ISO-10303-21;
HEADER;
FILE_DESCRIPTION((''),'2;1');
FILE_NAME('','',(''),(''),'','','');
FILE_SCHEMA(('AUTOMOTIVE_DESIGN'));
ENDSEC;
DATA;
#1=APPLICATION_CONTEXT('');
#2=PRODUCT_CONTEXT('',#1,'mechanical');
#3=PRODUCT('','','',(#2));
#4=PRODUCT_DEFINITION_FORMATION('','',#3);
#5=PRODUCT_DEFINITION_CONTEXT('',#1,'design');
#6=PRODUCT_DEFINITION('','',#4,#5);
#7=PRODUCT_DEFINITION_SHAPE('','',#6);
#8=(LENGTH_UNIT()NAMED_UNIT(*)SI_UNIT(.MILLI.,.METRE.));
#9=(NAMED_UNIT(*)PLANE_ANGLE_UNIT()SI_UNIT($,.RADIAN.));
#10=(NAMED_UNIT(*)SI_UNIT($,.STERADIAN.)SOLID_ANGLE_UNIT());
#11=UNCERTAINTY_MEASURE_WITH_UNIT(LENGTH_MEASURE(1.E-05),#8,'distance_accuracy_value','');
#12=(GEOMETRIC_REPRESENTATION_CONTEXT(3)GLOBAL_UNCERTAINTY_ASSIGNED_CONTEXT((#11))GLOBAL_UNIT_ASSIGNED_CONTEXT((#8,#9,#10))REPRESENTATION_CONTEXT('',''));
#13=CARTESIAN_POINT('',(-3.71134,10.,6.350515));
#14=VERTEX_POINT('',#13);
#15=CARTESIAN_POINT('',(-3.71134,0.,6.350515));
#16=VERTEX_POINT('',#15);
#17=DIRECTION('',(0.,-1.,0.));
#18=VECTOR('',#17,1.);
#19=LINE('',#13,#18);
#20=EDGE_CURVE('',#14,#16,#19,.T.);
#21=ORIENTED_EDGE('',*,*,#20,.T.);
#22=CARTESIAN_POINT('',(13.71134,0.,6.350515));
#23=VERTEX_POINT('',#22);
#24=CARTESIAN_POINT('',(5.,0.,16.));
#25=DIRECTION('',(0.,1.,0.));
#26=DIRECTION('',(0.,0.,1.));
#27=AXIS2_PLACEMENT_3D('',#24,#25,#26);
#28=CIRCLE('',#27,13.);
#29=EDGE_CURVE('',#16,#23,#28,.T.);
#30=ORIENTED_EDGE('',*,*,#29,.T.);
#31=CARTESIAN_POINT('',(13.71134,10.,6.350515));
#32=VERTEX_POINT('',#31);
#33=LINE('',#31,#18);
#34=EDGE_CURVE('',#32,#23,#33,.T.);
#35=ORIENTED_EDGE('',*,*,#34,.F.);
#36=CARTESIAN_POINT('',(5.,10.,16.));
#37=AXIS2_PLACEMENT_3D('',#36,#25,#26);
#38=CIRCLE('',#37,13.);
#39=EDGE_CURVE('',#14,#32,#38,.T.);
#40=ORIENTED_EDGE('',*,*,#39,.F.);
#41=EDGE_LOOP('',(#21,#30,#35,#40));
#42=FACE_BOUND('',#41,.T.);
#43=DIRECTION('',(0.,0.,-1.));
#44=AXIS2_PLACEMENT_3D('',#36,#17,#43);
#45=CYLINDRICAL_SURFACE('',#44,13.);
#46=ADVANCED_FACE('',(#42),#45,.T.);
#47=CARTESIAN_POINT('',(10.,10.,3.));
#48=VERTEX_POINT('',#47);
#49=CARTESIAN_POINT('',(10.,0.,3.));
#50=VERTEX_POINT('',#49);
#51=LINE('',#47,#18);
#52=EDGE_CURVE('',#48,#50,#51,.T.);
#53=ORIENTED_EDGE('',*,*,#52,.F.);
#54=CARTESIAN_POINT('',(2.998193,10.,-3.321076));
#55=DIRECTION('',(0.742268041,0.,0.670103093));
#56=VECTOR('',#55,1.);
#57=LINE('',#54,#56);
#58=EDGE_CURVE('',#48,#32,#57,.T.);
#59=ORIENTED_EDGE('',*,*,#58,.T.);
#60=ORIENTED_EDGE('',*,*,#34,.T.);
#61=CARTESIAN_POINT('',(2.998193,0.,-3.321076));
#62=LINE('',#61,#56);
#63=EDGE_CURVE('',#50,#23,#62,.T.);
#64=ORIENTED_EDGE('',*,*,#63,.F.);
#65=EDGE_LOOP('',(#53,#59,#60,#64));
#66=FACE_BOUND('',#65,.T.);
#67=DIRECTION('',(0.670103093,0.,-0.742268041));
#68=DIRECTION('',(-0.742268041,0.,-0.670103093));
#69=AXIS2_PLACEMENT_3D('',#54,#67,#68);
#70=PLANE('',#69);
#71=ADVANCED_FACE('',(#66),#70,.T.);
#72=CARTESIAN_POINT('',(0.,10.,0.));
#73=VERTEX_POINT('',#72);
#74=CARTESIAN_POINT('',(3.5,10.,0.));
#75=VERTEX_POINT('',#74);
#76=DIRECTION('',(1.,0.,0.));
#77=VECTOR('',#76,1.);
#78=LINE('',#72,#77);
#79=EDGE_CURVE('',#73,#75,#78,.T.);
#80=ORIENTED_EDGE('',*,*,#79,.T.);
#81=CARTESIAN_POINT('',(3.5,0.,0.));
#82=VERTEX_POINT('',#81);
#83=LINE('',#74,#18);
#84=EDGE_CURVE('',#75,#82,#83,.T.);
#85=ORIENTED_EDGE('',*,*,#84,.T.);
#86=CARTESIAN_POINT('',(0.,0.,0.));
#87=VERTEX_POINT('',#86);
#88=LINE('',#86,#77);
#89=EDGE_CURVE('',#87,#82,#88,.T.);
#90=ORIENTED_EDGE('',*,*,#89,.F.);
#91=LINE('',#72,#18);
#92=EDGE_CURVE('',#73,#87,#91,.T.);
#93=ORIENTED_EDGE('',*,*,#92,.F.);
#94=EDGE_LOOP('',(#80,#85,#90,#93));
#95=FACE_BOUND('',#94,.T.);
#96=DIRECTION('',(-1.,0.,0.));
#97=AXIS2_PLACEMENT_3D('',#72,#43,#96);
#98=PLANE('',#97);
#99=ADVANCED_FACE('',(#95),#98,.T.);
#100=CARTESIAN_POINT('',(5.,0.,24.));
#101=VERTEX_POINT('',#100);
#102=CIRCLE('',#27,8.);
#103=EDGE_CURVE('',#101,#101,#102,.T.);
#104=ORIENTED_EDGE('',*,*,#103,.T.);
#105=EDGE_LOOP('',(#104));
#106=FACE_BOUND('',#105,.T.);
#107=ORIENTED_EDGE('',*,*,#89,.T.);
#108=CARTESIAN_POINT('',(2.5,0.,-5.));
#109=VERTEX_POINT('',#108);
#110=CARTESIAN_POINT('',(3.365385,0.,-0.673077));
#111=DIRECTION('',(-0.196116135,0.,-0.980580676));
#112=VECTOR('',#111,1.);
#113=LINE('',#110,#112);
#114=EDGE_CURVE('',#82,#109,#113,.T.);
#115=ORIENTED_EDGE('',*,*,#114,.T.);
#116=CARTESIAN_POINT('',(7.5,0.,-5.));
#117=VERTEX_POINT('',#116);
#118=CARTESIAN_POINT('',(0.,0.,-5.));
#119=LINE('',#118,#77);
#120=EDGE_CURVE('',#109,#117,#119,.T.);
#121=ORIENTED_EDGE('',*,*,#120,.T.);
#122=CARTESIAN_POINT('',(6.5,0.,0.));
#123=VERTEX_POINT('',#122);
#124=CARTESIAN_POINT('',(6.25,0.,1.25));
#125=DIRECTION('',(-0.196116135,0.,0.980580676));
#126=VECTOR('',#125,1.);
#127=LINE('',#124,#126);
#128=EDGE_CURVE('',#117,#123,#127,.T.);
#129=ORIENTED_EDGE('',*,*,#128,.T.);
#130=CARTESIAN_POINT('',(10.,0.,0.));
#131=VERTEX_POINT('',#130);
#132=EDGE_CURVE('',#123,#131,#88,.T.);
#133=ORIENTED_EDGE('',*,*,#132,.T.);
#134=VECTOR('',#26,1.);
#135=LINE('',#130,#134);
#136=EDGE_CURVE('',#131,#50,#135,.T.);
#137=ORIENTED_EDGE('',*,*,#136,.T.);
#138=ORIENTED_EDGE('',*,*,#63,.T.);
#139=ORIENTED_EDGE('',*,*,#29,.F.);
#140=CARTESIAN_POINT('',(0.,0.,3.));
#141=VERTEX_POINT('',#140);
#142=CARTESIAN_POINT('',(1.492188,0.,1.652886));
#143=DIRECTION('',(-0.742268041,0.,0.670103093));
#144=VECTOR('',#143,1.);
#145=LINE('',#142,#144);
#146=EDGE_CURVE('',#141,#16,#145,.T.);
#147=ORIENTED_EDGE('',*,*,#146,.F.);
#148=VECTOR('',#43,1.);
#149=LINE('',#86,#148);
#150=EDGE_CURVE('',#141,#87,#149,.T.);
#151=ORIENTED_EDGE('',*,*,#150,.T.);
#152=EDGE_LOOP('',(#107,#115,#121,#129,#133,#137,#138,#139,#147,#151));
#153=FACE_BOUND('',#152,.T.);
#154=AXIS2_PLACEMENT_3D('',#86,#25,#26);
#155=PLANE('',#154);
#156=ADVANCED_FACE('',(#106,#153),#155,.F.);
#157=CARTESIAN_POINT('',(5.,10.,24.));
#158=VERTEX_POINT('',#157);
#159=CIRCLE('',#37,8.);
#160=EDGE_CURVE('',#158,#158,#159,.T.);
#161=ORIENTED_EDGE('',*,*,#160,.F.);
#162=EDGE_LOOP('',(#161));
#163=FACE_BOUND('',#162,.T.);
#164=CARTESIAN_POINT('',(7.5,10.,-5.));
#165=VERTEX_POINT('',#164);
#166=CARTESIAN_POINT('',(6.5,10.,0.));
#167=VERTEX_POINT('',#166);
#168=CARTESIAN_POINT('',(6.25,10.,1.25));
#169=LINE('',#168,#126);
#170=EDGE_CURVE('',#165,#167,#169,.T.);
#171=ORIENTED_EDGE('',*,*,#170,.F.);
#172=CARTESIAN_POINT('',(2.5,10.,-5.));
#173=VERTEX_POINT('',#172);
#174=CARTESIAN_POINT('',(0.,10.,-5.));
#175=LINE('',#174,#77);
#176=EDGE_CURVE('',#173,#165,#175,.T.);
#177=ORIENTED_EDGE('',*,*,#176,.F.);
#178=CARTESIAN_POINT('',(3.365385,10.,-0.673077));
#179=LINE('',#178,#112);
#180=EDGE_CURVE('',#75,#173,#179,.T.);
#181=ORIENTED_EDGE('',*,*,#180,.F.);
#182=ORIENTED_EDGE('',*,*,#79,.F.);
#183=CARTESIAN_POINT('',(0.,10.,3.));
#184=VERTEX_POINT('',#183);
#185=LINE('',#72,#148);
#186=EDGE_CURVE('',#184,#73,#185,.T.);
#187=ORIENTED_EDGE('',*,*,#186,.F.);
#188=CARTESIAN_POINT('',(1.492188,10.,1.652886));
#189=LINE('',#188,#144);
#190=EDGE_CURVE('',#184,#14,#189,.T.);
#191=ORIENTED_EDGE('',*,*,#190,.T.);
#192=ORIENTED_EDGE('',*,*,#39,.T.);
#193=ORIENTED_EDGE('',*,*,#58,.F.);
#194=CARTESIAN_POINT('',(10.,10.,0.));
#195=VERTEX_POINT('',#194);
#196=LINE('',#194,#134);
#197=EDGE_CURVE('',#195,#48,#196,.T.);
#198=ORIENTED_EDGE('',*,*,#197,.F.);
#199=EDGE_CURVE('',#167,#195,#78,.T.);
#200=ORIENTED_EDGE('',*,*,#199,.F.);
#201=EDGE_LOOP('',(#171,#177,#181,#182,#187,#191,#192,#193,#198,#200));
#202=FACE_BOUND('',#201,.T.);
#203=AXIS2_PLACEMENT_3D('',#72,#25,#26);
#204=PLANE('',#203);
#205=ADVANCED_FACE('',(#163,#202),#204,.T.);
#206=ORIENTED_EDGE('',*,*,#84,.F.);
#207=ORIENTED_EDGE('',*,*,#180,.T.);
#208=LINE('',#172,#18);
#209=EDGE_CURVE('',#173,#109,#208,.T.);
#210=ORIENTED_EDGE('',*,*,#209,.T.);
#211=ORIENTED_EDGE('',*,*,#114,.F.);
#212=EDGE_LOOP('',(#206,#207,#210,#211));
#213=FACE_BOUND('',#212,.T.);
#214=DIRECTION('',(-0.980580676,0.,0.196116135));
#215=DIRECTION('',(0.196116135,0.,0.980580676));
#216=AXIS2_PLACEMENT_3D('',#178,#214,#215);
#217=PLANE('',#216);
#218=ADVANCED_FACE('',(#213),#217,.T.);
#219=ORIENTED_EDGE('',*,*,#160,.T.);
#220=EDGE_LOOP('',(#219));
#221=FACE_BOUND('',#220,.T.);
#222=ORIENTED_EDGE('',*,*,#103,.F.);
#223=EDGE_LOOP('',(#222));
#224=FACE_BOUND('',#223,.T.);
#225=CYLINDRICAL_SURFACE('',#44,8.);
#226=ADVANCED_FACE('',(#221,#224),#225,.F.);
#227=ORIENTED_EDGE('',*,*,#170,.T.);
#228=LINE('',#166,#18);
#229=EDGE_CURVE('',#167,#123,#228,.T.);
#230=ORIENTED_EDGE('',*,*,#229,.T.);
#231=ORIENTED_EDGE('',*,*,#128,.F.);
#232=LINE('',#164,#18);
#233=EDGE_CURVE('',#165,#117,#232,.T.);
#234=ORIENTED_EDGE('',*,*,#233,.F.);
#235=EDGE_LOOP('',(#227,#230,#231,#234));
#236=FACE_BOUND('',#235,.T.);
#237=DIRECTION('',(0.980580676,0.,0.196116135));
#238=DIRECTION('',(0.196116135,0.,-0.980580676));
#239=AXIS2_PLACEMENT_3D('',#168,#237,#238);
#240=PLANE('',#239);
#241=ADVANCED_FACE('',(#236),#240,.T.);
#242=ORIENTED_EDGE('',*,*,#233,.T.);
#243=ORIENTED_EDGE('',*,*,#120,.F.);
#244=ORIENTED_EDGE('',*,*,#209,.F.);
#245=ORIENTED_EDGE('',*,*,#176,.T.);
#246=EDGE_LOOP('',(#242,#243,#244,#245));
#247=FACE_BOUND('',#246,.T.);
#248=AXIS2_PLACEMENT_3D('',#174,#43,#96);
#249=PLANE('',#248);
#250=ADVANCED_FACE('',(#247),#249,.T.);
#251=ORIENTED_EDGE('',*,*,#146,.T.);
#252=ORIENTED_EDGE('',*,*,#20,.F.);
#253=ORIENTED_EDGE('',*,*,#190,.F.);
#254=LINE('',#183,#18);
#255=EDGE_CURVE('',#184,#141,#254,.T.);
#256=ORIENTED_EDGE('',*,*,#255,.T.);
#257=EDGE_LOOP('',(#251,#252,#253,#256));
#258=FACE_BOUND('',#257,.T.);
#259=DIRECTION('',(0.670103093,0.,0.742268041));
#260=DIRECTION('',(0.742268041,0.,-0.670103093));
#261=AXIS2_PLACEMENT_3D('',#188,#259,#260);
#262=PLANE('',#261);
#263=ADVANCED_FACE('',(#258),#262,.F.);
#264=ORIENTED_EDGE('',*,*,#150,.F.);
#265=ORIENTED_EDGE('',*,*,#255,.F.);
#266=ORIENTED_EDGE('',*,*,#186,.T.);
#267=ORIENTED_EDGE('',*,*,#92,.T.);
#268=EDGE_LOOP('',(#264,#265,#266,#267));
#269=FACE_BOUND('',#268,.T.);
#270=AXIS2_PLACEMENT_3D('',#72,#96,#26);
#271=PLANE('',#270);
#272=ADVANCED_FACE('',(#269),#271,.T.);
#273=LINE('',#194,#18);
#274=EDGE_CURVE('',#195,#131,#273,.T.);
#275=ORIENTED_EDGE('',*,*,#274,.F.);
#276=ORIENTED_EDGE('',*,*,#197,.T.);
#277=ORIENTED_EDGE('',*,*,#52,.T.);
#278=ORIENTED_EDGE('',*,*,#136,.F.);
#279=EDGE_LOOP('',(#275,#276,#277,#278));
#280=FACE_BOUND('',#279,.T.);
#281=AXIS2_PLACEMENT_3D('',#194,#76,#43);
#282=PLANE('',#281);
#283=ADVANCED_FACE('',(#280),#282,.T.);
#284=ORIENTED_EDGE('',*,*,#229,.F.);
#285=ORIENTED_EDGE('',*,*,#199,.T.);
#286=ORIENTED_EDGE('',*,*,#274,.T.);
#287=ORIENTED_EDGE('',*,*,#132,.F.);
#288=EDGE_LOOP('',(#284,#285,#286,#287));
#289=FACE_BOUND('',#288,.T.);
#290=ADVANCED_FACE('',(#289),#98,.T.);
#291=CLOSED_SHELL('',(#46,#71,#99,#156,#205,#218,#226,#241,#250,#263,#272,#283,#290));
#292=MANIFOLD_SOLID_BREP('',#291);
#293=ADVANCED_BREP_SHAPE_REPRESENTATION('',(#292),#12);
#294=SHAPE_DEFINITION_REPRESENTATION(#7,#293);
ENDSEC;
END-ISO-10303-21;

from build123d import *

# Parameters (mm, degrees)
SKETCH1_R           = 13
SKETCH1_R_2         = 8
BOSS_EXTRUDE1_DEPTH = 10


with BuildPart() as part:
    # Sketch1 → Boss-Extrude1 (new body)
    # profile 1 of 5: a face of its own
    with BuildSketch(Plane(origin=(0, 0, 0), x_dir=(1, 0, 0), z_dir=(0, 1, 0))):
        with Locations((5, -16)):
            Circle(SKETCH1_R)
        with Locations(Location((5, -16, 0), (0, 0, 270))):
            Circle(SKETCH1_R_2, mode=Mode.SUBTRACT)
    # profile 2 of 5: a face of its own
    with BuildSketch(Plane(origin=(0, 0, 0), x_dir=(1, 0, 0), z_dir=(0, 1, 0))):
        with BuildLine():
            Line((10, -3), (5, -3))
            ThreePointArc((5, -3), (9.666728031, -3.866507119), (13.711340206, -6.350515464))
            Line((13.711340206, -6.350515464), (10, -3))
        make_face()
    # profile 3 of 5: a face of its own
    with BuildSketch(Plane(origin=(0, 0, 0), x_dir=(1, 0, 0), z_dir=(0, 1, 0))):
        Polygon((7.5, 5), (5, 5), (5, -3), (10, -3), (10, 0), (6.5, 0), align=None)
    # profile 4 of 5: a face of its own
    with BuildSketch(Plane(origin=(0, 0, 0), x_dir=(1, 0, 0), z_dir=(0, 1, 0))):
        Polygon((2.5, 5), (3.5, 0), (0, 0), (0, -3), (5, -3), (5, 5), align=None)
    # profile 5 of 5: a face of its own
    with BuildSketch(Plane(origin=(0, 0, 0), x_dir=(1, 0, 0), z_dir=(0, 1, 0))):
        with BuildLine():
            Line((5, -3), (0, -3))
            Line((0, -3), (-3.711340206, -6.350515464))
            ThreePointArc((-3.711340206, -6.350515464), (0.333271969, -3.866507119), (5, -3))
        make_face()
    extrude(amount=BOSS_EXTRUDE1_DEPTH)


solid = part.part
